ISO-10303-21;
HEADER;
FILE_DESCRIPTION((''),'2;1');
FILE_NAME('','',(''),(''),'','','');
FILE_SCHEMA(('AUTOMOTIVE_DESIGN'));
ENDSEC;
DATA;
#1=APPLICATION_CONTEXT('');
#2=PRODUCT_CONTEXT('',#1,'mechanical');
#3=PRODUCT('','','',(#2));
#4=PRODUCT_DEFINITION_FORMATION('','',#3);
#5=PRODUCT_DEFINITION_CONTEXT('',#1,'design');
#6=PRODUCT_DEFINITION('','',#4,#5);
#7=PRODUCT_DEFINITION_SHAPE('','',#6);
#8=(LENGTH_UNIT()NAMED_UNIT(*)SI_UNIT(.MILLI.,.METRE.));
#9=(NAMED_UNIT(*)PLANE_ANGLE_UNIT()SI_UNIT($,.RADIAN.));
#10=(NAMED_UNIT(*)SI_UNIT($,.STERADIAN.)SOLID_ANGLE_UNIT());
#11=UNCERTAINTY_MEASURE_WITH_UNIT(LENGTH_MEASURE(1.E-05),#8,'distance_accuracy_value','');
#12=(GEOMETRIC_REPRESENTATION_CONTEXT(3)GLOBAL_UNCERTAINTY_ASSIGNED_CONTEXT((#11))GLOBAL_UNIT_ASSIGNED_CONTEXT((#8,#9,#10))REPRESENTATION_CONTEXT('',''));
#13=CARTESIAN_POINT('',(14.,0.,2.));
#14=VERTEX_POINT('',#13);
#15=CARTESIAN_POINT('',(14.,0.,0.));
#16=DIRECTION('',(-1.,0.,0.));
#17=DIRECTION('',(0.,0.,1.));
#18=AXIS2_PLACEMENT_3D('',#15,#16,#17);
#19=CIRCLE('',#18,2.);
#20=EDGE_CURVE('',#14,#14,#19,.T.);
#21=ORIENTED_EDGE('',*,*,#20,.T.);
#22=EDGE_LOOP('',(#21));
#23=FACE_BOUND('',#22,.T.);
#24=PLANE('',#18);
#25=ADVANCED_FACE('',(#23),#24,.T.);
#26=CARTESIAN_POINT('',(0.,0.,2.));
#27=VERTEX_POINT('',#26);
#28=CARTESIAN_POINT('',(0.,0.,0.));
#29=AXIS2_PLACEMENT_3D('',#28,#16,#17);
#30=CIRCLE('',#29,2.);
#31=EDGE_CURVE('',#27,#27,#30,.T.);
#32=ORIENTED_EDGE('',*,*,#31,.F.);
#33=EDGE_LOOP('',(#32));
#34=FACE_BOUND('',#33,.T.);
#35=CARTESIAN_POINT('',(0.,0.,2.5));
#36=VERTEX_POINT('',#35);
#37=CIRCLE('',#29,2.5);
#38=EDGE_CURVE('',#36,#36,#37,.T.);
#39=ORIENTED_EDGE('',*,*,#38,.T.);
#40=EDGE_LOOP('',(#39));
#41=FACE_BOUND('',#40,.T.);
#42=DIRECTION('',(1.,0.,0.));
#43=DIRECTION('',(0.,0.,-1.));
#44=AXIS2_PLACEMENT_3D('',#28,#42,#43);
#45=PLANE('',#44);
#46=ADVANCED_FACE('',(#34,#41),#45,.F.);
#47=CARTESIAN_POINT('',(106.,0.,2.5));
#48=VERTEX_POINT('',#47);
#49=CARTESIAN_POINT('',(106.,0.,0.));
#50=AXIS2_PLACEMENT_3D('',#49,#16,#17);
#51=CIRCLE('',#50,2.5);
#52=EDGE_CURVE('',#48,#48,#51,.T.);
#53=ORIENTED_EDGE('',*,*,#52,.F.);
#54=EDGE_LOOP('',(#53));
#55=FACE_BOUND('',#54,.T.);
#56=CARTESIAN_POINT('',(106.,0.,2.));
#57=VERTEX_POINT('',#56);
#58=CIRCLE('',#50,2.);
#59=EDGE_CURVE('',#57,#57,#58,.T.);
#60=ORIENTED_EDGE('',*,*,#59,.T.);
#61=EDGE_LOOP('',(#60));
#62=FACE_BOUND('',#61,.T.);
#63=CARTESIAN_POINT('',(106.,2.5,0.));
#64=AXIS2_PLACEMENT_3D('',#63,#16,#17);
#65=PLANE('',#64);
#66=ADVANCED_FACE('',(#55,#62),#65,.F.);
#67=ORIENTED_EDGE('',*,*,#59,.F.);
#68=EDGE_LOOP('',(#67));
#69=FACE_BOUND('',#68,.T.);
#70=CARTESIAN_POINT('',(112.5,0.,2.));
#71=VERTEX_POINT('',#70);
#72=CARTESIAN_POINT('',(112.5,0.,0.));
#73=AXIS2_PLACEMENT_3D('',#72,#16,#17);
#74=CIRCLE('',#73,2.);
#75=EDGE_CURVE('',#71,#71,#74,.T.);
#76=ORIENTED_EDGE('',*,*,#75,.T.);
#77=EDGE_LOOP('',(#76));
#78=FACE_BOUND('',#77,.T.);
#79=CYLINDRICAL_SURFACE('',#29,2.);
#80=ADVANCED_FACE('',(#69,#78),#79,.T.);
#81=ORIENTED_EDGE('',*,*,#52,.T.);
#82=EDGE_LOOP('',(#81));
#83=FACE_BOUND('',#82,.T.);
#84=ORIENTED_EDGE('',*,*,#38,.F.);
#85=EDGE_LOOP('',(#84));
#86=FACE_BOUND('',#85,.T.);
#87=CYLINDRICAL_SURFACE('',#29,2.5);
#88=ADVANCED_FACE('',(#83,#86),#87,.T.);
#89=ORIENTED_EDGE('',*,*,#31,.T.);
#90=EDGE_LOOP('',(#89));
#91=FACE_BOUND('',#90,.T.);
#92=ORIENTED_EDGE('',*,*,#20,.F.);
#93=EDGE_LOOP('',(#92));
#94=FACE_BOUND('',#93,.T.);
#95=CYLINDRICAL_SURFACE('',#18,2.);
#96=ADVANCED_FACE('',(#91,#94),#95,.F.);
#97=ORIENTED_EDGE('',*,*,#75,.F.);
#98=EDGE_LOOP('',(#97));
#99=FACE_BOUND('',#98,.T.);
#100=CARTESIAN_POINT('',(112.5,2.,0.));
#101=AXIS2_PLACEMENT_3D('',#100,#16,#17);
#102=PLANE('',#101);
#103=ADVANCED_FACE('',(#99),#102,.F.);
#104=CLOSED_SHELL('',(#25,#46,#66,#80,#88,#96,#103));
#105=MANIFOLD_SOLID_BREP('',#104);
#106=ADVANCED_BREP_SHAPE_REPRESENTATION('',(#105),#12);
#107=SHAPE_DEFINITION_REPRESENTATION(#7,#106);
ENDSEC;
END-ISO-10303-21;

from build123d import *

# Parameters (mm, degrees)
CUT_EXTRUDE1_START = -14
SKETCH2_R          = 2
CUT_EXTRUDE1_DEPTH = 14


with BuildPart() as part:
    # Sketch1 → Revolve1 (revolve)
    with BuildSketch(Plane.XY, mode=Mode.PRIVATE) as revolve1_sk:
        Polygon((0, 0), (0, 2.5), (106, 2.5), (106, 2), (112.5, 2), (112.5, 0), align=None)
    revolve(revolve1_sk.sketch.rotate(Axis((0, 0, 0), (1, 0, 0)), 90), axis=Axis((0, 0, 0), (1, 0, 0)))

    # Sketch2 → Cut-Extrude1 (cut)
    with BuildSketch(Plane.ZY.offset(CUT_EXTRUDE1_START)):
        Circle(SKETCH2_R)
    extrude(amount=CUT_EXTRUDE1_DEPTH, mode=Mode.SUBTRACT)


solid = part.part
